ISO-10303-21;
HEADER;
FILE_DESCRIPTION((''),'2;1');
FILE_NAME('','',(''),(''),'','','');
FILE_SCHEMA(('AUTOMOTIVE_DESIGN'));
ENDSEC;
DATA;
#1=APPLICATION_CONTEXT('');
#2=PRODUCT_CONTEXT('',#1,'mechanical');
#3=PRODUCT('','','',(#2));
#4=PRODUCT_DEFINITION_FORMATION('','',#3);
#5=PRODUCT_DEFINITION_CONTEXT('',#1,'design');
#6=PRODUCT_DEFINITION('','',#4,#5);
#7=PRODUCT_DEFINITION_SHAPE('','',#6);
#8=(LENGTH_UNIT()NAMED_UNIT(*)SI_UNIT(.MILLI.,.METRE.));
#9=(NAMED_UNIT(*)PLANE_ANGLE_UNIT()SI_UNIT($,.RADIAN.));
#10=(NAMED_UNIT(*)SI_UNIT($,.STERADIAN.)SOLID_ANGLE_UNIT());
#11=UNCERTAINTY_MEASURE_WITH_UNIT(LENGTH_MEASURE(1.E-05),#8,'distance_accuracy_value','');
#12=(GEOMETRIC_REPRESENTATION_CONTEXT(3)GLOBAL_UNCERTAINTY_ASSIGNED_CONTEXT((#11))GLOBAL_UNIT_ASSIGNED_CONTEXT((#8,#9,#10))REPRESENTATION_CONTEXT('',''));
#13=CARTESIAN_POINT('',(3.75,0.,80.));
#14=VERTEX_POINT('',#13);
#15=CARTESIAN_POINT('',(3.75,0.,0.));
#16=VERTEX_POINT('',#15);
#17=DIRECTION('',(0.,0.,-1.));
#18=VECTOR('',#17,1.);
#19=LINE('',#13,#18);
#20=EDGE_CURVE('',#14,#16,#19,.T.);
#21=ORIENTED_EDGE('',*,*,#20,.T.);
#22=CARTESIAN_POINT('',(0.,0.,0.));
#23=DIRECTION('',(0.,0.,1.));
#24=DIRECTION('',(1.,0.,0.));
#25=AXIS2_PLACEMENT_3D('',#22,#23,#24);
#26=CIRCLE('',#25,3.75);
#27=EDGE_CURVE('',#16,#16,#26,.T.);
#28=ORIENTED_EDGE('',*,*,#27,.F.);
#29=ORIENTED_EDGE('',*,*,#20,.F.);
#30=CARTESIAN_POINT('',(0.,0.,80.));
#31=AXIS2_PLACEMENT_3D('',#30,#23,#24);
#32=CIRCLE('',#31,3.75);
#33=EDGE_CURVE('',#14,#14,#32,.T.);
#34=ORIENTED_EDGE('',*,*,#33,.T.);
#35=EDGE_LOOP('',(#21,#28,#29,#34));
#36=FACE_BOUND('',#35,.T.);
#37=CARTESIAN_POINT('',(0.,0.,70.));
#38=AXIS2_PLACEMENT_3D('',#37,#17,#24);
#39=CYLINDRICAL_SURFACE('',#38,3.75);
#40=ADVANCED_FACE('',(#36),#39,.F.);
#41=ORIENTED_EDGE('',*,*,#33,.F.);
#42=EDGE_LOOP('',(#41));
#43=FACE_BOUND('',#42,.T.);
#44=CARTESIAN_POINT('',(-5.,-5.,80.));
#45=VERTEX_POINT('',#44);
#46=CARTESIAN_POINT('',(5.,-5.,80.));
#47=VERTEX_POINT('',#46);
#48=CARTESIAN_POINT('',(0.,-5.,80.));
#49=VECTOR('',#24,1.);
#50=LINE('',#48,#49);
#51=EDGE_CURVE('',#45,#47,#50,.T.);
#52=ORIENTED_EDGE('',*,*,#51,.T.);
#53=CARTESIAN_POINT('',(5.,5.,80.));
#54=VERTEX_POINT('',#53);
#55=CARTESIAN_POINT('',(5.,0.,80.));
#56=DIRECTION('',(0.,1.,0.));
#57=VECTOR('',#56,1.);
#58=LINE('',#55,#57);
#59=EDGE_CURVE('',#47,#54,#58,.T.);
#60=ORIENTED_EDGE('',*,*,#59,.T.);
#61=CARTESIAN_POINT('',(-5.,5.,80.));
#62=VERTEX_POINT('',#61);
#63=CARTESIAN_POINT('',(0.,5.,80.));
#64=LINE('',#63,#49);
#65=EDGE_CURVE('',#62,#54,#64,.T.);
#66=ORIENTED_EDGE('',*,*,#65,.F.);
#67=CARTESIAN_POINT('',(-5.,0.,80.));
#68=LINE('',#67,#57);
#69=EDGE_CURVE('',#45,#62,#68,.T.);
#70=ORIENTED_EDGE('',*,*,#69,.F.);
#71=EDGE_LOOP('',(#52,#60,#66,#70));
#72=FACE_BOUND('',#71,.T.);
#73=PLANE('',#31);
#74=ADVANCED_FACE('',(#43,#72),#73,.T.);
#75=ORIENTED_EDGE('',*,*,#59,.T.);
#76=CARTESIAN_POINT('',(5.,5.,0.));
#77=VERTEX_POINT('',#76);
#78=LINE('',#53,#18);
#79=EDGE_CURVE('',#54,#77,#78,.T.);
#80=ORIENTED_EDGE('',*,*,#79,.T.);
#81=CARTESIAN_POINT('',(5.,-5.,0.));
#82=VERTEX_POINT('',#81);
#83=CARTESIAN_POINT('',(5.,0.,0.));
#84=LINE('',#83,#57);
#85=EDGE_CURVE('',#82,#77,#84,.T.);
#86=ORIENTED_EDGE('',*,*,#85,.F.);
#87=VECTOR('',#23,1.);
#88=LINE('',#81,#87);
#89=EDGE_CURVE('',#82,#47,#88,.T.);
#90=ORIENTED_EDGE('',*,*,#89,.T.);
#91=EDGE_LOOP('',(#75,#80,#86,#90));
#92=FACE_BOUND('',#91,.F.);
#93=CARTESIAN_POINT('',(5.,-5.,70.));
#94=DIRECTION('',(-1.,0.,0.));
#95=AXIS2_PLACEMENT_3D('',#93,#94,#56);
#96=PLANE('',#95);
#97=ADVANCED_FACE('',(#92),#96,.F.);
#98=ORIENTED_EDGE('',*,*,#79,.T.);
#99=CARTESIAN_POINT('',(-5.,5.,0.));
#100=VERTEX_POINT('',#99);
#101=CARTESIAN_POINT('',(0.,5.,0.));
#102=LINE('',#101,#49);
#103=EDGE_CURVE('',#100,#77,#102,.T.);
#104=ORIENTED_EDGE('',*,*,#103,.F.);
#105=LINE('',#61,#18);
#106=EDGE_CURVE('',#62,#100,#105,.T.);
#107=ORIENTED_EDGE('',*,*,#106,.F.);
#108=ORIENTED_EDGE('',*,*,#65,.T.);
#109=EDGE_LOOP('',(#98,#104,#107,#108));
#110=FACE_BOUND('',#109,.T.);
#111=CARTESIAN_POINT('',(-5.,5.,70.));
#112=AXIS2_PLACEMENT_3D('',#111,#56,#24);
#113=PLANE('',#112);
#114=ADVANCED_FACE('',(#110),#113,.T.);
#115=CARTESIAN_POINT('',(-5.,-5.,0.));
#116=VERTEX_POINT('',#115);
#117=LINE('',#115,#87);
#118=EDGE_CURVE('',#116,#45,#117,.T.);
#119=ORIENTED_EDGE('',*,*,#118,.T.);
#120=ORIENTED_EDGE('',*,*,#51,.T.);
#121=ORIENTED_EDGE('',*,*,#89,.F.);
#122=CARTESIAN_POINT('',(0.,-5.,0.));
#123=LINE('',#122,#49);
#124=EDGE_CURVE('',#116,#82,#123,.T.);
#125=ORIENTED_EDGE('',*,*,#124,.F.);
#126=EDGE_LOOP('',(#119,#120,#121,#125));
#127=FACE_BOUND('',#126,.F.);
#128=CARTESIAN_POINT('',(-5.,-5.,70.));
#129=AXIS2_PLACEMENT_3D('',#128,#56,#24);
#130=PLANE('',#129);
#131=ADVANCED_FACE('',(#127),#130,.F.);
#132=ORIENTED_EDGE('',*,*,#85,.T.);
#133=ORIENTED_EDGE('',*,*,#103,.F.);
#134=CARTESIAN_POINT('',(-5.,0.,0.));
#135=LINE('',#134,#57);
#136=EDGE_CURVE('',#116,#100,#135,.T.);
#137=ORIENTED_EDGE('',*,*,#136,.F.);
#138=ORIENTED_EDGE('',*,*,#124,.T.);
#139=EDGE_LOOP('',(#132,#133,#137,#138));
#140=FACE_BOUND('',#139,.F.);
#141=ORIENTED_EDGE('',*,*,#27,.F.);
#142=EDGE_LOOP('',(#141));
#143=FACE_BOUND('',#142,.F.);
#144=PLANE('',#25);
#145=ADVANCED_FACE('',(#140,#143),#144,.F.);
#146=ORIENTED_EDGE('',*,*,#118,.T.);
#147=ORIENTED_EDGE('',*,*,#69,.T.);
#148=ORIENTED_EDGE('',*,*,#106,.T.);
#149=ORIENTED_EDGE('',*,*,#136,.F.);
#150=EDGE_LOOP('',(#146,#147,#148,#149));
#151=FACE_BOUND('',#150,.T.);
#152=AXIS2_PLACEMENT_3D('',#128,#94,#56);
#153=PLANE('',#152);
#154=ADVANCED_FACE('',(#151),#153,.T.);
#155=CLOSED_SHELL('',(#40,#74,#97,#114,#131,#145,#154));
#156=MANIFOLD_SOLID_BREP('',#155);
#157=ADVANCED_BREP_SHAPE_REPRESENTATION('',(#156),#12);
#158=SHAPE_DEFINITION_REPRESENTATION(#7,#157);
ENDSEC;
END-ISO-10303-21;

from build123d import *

# Parameters (mm, degrees)
F0_W      = 10
F0_H      = 10
F0_R      = 3.75
F1_DEPTH  = 70
F1_FACE_W = 10
F1_FACE_H = 10
F1_FACE_R = 3.75
F2_DEPTH  = 10


with BuildPart() as f1:
    # F0 (on Top) → F1 (new body)
    with BuildSketch(Plane.XY):
        Rectangle(F0_W, F0_H)
        Circle(F0_R, mode=Mode.SUBTRACT)
    extrude(amount=F1_DEPTH)

    # F1_face (on face) → F2 (join)
    with BuildSketch(Plane.XY.offset(70)):
        Rectangle(F1_FACE_W, F1_FACE_H)
        Circle(F1_FACE_R, mode=Mode.SUBTRACT)
    extrude(amount=F2_DEPTH)


solid = f1.part
